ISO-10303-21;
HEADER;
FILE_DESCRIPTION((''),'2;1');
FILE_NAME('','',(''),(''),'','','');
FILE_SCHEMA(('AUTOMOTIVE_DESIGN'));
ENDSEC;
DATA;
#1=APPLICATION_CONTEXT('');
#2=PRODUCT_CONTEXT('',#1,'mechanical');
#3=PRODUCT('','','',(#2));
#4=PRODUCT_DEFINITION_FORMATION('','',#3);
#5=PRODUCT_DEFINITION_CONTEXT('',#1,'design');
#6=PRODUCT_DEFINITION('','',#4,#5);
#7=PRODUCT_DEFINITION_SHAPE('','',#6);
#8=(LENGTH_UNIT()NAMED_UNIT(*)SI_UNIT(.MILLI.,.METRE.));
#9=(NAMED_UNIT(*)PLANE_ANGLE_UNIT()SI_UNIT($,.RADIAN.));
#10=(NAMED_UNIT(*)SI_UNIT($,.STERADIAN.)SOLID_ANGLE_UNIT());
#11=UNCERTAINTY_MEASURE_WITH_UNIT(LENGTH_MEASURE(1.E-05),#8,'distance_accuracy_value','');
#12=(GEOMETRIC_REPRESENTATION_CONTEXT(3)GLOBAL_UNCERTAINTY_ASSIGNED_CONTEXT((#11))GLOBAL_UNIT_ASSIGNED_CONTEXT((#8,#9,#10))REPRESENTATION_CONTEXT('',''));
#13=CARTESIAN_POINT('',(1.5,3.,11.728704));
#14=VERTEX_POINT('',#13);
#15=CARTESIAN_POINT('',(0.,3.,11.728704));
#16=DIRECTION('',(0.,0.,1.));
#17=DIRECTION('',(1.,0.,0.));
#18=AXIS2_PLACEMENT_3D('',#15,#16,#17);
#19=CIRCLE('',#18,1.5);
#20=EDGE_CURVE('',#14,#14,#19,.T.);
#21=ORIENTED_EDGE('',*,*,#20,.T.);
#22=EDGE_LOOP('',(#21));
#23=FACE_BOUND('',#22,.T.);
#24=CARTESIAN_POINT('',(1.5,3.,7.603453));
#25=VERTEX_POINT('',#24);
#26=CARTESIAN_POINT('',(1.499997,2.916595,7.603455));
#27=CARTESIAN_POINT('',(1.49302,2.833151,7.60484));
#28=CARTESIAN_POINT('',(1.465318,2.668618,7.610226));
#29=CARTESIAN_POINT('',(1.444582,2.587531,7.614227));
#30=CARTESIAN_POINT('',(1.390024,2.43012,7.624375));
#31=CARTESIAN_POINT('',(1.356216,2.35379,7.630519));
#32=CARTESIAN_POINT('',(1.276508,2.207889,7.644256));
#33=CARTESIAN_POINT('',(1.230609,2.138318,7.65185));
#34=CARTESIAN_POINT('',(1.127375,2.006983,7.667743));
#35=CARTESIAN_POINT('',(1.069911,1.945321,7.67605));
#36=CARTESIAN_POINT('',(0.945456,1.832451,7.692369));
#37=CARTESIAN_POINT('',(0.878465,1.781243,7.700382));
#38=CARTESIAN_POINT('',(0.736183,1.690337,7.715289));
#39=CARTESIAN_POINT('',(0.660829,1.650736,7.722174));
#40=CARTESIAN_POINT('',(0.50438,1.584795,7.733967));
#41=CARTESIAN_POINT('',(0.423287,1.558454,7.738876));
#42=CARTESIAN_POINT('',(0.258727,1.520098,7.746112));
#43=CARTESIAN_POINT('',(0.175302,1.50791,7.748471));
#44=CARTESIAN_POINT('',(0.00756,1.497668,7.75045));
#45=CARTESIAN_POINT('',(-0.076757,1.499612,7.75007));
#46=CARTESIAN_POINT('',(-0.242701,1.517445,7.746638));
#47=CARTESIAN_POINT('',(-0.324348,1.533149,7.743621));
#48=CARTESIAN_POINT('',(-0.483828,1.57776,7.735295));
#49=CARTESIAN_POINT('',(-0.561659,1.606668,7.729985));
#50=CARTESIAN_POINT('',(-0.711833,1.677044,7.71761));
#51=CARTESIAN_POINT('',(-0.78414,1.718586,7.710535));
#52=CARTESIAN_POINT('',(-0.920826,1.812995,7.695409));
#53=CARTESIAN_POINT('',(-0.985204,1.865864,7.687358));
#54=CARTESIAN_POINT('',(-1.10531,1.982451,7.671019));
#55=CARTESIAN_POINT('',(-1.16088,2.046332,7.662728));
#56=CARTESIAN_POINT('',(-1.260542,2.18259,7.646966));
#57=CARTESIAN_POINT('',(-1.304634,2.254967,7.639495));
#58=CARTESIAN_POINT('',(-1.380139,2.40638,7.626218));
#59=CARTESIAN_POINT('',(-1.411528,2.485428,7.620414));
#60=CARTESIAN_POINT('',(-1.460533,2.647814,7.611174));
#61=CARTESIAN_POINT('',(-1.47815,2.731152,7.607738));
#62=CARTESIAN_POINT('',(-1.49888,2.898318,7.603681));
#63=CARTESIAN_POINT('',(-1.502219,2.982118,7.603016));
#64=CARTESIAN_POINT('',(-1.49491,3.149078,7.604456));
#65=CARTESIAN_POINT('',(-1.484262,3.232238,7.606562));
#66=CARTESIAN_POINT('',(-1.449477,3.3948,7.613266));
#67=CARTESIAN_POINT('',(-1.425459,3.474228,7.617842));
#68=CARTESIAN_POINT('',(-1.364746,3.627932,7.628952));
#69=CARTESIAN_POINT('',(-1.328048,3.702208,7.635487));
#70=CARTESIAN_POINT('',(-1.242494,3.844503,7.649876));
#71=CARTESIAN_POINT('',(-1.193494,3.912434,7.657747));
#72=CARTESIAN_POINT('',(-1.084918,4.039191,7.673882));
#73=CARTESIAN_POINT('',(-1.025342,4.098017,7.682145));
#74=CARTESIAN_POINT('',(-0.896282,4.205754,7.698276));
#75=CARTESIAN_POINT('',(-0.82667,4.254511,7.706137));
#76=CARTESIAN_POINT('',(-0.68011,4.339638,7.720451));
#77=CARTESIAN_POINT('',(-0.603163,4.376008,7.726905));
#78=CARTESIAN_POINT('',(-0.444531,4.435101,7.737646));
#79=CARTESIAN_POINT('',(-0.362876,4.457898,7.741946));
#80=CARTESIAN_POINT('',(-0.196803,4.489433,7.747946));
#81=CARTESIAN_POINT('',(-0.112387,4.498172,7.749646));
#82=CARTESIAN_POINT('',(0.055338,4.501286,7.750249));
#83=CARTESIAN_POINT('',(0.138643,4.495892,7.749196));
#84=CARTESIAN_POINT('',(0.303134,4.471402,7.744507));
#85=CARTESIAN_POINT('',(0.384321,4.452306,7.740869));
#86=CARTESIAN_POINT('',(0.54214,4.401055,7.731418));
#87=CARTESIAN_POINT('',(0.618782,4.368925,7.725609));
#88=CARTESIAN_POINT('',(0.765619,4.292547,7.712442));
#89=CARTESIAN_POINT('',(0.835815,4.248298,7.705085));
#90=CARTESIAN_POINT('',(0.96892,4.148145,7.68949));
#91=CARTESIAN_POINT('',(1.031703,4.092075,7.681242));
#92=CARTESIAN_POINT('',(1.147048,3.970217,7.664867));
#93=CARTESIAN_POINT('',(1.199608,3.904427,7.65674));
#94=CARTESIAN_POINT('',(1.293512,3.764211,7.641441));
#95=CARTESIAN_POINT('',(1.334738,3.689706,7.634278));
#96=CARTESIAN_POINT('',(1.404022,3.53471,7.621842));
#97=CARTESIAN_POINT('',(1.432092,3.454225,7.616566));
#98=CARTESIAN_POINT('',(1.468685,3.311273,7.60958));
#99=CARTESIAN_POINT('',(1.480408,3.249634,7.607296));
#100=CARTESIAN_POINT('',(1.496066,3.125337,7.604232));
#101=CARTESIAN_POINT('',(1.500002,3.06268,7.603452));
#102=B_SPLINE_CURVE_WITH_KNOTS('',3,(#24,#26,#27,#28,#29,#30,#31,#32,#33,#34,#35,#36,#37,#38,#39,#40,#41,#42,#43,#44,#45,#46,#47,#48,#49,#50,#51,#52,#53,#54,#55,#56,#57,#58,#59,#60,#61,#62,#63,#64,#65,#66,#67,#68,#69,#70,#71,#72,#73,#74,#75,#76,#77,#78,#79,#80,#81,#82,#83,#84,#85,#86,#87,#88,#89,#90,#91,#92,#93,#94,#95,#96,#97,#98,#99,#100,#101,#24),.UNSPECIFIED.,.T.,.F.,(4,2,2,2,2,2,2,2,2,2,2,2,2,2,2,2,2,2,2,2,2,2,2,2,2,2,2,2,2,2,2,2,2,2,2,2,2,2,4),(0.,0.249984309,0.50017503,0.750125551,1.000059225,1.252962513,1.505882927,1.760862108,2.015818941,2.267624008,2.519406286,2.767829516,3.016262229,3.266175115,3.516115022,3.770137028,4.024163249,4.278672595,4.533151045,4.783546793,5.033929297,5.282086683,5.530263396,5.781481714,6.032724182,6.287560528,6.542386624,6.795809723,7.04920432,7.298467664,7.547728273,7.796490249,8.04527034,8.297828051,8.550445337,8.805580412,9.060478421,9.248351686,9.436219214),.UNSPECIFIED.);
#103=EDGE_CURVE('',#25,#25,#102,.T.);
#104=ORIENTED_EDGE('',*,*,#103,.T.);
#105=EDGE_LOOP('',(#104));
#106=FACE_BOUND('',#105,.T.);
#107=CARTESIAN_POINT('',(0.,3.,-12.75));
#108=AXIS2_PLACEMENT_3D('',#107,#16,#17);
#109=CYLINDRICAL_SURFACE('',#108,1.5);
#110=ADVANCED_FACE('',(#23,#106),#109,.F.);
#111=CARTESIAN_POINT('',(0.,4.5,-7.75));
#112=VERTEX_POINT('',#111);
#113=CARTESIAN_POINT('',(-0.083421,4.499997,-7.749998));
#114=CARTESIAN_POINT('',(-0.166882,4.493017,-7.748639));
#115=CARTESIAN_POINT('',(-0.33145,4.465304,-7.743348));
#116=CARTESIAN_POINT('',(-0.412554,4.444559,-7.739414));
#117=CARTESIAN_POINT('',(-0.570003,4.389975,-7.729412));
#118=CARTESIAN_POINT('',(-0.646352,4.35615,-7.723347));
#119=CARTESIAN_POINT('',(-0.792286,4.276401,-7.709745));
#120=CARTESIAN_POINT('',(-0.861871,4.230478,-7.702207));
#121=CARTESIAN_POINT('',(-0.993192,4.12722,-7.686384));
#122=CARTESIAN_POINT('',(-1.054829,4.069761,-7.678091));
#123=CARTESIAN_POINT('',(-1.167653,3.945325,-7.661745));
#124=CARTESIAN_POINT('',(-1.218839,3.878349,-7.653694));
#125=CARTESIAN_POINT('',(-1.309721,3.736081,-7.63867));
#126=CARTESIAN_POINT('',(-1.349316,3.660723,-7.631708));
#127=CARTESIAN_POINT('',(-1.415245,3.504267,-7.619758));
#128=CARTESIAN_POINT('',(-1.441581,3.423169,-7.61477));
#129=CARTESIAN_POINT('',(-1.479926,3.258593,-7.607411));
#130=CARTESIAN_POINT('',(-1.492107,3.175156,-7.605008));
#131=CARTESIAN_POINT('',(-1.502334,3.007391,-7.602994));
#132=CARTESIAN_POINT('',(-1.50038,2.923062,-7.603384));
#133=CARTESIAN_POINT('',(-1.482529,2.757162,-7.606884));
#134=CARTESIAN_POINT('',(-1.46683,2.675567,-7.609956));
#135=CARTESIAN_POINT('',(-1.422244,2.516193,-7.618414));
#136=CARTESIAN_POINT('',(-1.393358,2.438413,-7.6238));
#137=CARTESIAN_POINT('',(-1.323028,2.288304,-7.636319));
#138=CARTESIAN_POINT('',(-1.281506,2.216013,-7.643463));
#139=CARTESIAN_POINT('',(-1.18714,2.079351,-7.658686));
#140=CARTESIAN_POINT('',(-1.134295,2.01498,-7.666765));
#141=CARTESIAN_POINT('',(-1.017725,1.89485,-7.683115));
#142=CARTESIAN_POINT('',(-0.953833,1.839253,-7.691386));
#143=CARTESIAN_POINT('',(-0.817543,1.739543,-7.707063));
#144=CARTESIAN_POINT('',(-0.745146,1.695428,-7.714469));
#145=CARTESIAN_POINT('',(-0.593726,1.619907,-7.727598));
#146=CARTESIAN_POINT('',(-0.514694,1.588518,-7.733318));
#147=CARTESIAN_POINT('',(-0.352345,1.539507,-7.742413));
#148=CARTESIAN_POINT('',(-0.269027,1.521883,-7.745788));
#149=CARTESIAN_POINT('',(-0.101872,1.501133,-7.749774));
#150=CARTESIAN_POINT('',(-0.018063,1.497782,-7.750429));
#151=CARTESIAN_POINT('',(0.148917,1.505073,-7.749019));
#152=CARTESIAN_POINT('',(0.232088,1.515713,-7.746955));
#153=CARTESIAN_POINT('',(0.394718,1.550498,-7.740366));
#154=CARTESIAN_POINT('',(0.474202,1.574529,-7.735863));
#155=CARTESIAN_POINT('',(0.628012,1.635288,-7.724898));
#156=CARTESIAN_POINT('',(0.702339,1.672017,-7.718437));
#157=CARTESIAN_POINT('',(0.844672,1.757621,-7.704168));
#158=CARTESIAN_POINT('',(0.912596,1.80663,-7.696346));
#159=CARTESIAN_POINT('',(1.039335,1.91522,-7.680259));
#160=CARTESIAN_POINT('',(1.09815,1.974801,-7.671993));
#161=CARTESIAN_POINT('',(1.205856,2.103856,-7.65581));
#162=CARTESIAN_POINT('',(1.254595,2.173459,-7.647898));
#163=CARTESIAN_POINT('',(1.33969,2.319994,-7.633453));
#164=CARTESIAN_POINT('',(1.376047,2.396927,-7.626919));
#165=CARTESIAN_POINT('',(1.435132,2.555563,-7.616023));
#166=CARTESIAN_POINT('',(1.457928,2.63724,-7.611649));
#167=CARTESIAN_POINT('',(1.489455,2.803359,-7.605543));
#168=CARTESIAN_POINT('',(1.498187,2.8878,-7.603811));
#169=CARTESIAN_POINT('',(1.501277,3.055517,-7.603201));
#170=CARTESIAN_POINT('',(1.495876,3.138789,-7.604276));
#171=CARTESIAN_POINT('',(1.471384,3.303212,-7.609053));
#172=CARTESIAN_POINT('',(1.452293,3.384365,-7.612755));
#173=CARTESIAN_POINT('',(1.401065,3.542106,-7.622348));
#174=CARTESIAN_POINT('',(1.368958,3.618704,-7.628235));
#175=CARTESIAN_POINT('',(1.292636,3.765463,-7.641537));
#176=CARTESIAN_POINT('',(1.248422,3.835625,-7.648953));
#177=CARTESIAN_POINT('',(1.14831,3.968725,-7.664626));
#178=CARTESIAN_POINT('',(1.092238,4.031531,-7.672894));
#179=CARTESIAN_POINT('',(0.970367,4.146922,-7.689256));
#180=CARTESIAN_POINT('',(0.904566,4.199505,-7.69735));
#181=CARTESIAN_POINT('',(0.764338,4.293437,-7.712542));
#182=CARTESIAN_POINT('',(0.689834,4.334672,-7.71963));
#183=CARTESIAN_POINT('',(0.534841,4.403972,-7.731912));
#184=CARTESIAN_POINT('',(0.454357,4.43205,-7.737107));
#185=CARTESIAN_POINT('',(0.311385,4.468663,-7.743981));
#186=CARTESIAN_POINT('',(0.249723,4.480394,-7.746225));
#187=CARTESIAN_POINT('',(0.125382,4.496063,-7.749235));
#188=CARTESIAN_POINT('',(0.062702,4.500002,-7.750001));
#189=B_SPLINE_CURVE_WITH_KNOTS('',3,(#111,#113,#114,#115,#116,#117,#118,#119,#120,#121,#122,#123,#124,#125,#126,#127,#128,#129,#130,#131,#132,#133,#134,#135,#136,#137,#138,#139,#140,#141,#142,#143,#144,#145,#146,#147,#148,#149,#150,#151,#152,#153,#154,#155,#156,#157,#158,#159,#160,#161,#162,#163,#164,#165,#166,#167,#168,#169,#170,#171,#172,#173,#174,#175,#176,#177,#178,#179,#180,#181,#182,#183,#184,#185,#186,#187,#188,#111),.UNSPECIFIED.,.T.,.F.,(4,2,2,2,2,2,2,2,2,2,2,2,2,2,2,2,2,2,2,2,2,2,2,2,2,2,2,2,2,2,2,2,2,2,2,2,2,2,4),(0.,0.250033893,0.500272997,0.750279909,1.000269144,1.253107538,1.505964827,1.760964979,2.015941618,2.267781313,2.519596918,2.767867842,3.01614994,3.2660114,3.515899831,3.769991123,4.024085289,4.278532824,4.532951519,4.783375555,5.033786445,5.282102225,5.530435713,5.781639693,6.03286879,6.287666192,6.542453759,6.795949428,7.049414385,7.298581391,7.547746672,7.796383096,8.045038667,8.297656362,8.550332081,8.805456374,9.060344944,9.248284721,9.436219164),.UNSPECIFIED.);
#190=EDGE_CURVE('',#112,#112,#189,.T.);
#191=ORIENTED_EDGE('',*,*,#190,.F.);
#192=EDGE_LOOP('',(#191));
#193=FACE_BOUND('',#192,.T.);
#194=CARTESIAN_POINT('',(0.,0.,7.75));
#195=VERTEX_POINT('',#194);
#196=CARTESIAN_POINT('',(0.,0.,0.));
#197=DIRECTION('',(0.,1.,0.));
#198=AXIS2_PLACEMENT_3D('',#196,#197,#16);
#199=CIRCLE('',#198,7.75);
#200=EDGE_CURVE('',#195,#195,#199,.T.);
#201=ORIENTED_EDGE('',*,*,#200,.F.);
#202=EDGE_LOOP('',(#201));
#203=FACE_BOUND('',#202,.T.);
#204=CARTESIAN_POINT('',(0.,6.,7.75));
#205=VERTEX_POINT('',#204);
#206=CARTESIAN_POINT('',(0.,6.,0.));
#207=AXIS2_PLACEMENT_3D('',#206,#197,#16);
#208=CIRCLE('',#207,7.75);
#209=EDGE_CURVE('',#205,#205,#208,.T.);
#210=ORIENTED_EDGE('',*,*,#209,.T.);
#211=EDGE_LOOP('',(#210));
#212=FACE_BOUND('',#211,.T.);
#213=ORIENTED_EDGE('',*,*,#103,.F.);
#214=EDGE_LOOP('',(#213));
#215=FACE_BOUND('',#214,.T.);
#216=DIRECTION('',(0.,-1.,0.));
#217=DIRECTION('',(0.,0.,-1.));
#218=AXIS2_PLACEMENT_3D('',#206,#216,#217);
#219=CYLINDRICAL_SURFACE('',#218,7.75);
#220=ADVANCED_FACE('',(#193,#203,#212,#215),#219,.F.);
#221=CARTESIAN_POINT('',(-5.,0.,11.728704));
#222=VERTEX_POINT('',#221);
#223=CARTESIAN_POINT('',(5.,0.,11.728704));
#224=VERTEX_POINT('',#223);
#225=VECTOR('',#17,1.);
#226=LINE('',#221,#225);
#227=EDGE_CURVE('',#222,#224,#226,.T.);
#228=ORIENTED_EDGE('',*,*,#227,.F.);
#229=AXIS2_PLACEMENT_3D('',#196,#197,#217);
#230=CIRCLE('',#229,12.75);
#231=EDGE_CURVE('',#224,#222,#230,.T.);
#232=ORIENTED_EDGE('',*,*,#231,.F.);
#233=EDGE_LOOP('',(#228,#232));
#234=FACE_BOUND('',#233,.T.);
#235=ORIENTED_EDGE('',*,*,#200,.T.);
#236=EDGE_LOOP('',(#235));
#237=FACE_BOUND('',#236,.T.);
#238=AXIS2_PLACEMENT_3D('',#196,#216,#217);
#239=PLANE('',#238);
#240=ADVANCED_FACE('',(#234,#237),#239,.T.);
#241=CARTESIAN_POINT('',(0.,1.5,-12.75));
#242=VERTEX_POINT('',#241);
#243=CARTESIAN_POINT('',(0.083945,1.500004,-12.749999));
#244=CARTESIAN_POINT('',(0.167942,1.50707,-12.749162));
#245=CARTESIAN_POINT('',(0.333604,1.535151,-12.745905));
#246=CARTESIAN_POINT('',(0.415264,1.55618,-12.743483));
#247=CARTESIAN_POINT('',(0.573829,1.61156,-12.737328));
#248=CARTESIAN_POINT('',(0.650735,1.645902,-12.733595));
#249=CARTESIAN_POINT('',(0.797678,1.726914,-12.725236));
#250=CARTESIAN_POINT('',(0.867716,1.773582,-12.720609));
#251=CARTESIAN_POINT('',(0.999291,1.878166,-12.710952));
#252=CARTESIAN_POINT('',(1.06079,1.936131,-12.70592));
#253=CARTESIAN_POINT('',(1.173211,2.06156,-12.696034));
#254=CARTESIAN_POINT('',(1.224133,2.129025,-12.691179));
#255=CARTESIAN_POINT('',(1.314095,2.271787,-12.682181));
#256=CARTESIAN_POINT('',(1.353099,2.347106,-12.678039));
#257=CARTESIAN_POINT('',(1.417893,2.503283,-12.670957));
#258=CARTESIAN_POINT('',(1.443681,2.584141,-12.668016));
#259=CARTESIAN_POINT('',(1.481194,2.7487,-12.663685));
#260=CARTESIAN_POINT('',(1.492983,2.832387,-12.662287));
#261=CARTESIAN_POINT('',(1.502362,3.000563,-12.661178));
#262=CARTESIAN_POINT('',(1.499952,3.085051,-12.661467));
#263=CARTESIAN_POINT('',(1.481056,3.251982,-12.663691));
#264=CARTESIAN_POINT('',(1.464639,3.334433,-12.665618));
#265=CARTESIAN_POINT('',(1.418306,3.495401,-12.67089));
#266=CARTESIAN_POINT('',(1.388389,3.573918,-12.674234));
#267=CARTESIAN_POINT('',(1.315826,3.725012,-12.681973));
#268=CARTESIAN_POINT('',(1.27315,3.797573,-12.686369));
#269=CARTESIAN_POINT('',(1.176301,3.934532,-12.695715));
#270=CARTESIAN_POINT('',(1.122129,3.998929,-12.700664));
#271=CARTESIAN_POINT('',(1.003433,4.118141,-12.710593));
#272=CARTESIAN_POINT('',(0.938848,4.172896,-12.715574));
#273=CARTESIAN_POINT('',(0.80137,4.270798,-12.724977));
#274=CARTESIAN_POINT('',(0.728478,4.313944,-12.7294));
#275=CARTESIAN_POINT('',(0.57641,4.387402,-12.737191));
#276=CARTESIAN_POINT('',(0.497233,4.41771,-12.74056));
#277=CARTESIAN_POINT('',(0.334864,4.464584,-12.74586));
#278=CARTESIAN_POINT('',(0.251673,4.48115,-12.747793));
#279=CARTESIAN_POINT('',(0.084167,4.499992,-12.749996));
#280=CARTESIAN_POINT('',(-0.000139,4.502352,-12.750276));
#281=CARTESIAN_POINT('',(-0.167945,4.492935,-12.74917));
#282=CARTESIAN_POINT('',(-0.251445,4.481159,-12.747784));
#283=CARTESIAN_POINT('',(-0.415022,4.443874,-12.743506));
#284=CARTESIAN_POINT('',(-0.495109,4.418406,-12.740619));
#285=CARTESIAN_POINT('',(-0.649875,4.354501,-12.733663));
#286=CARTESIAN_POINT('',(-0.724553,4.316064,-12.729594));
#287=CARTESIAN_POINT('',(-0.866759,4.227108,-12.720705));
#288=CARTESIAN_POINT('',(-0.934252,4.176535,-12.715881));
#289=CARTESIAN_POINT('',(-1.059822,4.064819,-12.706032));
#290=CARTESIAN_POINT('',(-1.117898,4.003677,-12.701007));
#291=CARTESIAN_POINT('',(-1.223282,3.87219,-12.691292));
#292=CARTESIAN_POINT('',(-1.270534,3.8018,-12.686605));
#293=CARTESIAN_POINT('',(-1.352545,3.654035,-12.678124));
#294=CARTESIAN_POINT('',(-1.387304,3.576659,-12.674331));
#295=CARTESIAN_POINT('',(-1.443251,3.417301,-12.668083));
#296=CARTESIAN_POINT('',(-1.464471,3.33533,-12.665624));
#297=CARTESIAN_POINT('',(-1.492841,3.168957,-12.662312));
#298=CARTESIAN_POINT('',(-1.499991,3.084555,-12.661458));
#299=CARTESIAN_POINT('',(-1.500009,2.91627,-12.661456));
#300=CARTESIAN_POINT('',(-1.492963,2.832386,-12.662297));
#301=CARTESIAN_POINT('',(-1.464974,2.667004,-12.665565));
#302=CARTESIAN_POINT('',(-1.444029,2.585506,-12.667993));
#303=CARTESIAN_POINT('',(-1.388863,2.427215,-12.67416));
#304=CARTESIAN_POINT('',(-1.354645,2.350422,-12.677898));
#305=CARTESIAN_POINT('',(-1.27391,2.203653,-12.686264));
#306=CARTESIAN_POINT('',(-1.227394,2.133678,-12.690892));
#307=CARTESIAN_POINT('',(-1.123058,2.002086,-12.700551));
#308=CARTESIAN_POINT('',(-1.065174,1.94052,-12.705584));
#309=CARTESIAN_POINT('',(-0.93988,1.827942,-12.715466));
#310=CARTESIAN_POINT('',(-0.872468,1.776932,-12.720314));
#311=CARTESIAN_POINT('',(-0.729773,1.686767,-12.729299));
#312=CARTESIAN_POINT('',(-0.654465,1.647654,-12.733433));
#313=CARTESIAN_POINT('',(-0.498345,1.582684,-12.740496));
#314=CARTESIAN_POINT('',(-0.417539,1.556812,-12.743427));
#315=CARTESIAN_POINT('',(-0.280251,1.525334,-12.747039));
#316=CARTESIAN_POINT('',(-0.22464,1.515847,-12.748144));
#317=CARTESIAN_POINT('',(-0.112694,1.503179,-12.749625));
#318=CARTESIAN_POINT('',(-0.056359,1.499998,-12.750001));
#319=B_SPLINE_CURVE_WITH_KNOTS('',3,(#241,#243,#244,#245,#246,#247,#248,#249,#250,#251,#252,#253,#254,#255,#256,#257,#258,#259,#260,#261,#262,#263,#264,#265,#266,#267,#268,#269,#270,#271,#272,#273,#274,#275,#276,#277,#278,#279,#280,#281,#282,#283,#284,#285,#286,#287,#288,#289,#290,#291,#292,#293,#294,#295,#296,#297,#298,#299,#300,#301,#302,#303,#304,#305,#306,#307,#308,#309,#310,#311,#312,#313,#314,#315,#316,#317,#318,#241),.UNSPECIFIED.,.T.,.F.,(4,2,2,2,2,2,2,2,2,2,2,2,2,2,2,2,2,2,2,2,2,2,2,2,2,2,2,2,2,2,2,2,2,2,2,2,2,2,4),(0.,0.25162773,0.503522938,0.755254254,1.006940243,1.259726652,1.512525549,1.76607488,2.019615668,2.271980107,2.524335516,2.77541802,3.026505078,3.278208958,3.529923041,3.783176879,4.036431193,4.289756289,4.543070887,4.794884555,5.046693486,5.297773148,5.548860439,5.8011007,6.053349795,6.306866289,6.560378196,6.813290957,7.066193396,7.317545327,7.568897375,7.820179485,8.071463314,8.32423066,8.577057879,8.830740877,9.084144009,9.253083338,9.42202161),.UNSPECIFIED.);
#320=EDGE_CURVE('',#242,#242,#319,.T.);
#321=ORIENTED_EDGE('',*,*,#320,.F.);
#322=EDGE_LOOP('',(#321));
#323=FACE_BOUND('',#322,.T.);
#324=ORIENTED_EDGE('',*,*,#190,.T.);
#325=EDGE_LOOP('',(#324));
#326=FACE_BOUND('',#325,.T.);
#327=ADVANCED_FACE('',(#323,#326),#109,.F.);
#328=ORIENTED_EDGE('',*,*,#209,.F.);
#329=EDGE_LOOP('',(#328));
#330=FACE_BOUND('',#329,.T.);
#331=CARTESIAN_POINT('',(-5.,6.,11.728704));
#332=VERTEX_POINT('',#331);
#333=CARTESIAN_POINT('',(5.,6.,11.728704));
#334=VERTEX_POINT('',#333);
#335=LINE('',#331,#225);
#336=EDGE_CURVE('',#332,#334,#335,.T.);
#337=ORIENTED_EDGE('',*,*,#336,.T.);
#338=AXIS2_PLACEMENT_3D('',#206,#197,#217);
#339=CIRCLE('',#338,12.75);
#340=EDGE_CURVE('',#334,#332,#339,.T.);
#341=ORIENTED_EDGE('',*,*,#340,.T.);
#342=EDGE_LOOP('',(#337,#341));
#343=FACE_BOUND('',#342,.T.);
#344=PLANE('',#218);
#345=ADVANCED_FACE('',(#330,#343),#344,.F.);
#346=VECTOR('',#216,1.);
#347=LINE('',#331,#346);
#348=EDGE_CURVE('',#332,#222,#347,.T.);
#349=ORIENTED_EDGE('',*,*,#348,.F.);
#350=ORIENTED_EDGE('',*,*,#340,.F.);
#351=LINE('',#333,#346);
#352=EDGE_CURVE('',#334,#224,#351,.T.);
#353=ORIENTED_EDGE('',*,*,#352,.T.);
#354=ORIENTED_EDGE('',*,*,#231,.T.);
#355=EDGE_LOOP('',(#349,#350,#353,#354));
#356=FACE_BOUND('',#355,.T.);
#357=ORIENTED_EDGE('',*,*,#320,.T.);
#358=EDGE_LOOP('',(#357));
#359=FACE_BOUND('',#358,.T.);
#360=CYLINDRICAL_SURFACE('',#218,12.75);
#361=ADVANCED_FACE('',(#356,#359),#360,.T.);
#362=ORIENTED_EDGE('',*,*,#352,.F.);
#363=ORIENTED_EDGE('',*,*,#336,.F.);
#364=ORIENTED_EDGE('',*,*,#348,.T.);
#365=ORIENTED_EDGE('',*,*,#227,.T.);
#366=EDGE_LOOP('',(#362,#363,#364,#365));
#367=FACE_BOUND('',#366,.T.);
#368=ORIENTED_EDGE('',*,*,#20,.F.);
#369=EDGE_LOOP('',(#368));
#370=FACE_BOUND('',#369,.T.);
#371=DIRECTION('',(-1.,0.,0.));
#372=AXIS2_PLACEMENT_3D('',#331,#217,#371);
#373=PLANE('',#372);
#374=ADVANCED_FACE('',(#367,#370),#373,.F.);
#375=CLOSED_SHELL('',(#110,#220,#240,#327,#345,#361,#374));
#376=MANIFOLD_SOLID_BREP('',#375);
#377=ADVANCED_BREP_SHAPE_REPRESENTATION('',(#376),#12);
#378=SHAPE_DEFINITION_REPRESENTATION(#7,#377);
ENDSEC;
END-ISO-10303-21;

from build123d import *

# Parameters (mm, degrees)
SKETCH1_R           = 7.75
BOSS_EXTRUDE1_DEPTH = 6
SKETCH2_R           = 1.5
CUT_EXTRUDE1_DEPTH  = 29.244812881


with BuildPart() as part:
    # Sketch1 → Boss-Extrude1 (new body)
    with BuildSketch(Plane(origin=(0, 0, 0), x_dir=(1, 0, 0), z_dir=(0, 1, 0))):
        with BuildLine():
            Line((-5, -11.728704106), (5, -11.728704106))
            ThreePointArc((5, -11.728704106), (0, 12.75), (-5, -11.728704106))
        make_face()
        with Locations(Location((0, 0, 0), (0, 0, 270))):
            Circle(SKETCH1_R, mode=Mode.SUBTRACT)
    extrude(amount=BOSS_EXTRUDE1_DEPTH)

    # Sketch2 → Cut-Extrude1 (cut, through all)
    with BuildSketch(Plane.XY.offset(11.728704106)):
        with Locations((0, 3)):
            Circle(SKETCH2_R)
    extrude(amount=-CUT_EXTRUDE1_DEPTH, mode=Mode.SUBTRACT)


solid = part.part
